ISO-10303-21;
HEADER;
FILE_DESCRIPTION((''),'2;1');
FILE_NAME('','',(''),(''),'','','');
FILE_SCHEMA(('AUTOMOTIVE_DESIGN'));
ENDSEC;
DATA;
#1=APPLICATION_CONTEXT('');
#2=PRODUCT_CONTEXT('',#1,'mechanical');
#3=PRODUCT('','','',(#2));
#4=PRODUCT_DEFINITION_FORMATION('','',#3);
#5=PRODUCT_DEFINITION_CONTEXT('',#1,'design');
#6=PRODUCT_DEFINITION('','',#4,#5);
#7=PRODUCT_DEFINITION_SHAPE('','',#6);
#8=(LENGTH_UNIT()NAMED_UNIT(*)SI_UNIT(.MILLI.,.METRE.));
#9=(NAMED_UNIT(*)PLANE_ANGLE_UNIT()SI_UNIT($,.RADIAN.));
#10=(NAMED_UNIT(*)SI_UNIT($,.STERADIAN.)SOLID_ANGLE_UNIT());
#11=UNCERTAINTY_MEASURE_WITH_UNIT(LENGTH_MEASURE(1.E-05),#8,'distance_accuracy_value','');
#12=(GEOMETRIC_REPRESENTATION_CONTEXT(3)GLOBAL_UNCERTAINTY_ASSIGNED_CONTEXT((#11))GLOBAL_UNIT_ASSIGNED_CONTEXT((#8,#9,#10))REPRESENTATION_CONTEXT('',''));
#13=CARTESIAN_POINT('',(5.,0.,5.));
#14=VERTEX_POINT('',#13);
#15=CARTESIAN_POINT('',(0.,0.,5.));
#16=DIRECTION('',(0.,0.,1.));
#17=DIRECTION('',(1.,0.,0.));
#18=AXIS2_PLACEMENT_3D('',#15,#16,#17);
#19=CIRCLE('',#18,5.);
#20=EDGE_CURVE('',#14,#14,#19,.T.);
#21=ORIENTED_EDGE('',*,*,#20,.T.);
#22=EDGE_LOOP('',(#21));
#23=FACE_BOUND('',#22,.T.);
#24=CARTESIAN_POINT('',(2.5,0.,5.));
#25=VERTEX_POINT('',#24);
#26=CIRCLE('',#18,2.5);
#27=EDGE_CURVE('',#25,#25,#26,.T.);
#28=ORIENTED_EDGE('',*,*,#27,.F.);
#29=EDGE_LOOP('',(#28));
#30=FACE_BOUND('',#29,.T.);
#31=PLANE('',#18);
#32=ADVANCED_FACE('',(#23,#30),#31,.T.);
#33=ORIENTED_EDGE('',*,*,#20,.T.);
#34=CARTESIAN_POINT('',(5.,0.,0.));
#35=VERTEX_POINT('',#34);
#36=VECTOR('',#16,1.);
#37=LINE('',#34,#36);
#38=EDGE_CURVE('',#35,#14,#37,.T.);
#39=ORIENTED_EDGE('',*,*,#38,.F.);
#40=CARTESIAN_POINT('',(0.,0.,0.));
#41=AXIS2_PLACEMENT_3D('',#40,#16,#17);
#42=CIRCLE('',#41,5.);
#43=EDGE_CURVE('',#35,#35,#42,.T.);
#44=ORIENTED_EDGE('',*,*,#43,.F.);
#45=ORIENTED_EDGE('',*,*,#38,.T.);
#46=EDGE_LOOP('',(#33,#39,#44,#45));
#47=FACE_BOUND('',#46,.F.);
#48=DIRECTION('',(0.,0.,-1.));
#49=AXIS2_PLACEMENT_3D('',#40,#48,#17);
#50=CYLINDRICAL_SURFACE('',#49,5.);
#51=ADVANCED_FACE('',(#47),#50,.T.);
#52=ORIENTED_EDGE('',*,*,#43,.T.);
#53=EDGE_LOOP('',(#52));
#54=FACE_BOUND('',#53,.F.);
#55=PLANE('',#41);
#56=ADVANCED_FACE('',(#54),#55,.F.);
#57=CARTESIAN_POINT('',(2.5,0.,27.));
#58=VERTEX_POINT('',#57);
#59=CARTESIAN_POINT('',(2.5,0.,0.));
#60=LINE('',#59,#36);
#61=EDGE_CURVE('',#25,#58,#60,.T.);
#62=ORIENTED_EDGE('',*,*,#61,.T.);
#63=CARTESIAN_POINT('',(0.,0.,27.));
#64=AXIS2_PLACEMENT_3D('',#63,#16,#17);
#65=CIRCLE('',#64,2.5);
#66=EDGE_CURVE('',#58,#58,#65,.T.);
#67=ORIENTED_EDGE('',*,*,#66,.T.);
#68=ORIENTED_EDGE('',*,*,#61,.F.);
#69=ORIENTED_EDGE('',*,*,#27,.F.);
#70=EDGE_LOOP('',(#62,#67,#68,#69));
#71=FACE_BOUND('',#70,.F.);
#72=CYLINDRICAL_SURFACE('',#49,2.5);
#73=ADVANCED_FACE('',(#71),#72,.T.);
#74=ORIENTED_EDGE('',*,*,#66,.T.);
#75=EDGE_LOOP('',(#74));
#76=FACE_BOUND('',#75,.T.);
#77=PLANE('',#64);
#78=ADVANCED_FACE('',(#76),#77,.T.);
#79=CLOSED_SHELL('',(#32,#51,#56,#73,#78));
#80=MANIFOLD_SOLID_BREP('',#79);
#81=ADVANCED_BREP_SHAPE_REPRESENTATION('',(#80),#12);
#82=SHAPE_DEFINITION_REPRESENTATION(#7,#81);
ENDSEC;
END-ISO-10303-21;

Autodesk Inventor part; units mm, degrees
ref_plane "YZ Plane" through (0, 0, 0) normal (1, 0, 0) x (0, 1, 0)
ref_plane "XZ Plane" through (0, 0, 0) normal (0, 1, 0) x (-1, 0, 0)
ref_plane "XY Plane" through (0, 0, 0) normal (0, 0, 1) x (1, 0, 0)
sketch "Sketch1" plane through (0, 0, 0) normal (0, 0, 1) x (1, 0, 0)
  circle A0 centre (0, 0) radius 2.5
  circle A1 centre (0, 0) radius 5
  dimension "d0" = 5
  dimension "d1" = 10
extrude "Extrusion1" add sketch "Sketch1" along normal blind 27 contours A0
extrude "Extrusion2" add sketch "Sketch1" along normal blind 5
properties part number "Bolt"
